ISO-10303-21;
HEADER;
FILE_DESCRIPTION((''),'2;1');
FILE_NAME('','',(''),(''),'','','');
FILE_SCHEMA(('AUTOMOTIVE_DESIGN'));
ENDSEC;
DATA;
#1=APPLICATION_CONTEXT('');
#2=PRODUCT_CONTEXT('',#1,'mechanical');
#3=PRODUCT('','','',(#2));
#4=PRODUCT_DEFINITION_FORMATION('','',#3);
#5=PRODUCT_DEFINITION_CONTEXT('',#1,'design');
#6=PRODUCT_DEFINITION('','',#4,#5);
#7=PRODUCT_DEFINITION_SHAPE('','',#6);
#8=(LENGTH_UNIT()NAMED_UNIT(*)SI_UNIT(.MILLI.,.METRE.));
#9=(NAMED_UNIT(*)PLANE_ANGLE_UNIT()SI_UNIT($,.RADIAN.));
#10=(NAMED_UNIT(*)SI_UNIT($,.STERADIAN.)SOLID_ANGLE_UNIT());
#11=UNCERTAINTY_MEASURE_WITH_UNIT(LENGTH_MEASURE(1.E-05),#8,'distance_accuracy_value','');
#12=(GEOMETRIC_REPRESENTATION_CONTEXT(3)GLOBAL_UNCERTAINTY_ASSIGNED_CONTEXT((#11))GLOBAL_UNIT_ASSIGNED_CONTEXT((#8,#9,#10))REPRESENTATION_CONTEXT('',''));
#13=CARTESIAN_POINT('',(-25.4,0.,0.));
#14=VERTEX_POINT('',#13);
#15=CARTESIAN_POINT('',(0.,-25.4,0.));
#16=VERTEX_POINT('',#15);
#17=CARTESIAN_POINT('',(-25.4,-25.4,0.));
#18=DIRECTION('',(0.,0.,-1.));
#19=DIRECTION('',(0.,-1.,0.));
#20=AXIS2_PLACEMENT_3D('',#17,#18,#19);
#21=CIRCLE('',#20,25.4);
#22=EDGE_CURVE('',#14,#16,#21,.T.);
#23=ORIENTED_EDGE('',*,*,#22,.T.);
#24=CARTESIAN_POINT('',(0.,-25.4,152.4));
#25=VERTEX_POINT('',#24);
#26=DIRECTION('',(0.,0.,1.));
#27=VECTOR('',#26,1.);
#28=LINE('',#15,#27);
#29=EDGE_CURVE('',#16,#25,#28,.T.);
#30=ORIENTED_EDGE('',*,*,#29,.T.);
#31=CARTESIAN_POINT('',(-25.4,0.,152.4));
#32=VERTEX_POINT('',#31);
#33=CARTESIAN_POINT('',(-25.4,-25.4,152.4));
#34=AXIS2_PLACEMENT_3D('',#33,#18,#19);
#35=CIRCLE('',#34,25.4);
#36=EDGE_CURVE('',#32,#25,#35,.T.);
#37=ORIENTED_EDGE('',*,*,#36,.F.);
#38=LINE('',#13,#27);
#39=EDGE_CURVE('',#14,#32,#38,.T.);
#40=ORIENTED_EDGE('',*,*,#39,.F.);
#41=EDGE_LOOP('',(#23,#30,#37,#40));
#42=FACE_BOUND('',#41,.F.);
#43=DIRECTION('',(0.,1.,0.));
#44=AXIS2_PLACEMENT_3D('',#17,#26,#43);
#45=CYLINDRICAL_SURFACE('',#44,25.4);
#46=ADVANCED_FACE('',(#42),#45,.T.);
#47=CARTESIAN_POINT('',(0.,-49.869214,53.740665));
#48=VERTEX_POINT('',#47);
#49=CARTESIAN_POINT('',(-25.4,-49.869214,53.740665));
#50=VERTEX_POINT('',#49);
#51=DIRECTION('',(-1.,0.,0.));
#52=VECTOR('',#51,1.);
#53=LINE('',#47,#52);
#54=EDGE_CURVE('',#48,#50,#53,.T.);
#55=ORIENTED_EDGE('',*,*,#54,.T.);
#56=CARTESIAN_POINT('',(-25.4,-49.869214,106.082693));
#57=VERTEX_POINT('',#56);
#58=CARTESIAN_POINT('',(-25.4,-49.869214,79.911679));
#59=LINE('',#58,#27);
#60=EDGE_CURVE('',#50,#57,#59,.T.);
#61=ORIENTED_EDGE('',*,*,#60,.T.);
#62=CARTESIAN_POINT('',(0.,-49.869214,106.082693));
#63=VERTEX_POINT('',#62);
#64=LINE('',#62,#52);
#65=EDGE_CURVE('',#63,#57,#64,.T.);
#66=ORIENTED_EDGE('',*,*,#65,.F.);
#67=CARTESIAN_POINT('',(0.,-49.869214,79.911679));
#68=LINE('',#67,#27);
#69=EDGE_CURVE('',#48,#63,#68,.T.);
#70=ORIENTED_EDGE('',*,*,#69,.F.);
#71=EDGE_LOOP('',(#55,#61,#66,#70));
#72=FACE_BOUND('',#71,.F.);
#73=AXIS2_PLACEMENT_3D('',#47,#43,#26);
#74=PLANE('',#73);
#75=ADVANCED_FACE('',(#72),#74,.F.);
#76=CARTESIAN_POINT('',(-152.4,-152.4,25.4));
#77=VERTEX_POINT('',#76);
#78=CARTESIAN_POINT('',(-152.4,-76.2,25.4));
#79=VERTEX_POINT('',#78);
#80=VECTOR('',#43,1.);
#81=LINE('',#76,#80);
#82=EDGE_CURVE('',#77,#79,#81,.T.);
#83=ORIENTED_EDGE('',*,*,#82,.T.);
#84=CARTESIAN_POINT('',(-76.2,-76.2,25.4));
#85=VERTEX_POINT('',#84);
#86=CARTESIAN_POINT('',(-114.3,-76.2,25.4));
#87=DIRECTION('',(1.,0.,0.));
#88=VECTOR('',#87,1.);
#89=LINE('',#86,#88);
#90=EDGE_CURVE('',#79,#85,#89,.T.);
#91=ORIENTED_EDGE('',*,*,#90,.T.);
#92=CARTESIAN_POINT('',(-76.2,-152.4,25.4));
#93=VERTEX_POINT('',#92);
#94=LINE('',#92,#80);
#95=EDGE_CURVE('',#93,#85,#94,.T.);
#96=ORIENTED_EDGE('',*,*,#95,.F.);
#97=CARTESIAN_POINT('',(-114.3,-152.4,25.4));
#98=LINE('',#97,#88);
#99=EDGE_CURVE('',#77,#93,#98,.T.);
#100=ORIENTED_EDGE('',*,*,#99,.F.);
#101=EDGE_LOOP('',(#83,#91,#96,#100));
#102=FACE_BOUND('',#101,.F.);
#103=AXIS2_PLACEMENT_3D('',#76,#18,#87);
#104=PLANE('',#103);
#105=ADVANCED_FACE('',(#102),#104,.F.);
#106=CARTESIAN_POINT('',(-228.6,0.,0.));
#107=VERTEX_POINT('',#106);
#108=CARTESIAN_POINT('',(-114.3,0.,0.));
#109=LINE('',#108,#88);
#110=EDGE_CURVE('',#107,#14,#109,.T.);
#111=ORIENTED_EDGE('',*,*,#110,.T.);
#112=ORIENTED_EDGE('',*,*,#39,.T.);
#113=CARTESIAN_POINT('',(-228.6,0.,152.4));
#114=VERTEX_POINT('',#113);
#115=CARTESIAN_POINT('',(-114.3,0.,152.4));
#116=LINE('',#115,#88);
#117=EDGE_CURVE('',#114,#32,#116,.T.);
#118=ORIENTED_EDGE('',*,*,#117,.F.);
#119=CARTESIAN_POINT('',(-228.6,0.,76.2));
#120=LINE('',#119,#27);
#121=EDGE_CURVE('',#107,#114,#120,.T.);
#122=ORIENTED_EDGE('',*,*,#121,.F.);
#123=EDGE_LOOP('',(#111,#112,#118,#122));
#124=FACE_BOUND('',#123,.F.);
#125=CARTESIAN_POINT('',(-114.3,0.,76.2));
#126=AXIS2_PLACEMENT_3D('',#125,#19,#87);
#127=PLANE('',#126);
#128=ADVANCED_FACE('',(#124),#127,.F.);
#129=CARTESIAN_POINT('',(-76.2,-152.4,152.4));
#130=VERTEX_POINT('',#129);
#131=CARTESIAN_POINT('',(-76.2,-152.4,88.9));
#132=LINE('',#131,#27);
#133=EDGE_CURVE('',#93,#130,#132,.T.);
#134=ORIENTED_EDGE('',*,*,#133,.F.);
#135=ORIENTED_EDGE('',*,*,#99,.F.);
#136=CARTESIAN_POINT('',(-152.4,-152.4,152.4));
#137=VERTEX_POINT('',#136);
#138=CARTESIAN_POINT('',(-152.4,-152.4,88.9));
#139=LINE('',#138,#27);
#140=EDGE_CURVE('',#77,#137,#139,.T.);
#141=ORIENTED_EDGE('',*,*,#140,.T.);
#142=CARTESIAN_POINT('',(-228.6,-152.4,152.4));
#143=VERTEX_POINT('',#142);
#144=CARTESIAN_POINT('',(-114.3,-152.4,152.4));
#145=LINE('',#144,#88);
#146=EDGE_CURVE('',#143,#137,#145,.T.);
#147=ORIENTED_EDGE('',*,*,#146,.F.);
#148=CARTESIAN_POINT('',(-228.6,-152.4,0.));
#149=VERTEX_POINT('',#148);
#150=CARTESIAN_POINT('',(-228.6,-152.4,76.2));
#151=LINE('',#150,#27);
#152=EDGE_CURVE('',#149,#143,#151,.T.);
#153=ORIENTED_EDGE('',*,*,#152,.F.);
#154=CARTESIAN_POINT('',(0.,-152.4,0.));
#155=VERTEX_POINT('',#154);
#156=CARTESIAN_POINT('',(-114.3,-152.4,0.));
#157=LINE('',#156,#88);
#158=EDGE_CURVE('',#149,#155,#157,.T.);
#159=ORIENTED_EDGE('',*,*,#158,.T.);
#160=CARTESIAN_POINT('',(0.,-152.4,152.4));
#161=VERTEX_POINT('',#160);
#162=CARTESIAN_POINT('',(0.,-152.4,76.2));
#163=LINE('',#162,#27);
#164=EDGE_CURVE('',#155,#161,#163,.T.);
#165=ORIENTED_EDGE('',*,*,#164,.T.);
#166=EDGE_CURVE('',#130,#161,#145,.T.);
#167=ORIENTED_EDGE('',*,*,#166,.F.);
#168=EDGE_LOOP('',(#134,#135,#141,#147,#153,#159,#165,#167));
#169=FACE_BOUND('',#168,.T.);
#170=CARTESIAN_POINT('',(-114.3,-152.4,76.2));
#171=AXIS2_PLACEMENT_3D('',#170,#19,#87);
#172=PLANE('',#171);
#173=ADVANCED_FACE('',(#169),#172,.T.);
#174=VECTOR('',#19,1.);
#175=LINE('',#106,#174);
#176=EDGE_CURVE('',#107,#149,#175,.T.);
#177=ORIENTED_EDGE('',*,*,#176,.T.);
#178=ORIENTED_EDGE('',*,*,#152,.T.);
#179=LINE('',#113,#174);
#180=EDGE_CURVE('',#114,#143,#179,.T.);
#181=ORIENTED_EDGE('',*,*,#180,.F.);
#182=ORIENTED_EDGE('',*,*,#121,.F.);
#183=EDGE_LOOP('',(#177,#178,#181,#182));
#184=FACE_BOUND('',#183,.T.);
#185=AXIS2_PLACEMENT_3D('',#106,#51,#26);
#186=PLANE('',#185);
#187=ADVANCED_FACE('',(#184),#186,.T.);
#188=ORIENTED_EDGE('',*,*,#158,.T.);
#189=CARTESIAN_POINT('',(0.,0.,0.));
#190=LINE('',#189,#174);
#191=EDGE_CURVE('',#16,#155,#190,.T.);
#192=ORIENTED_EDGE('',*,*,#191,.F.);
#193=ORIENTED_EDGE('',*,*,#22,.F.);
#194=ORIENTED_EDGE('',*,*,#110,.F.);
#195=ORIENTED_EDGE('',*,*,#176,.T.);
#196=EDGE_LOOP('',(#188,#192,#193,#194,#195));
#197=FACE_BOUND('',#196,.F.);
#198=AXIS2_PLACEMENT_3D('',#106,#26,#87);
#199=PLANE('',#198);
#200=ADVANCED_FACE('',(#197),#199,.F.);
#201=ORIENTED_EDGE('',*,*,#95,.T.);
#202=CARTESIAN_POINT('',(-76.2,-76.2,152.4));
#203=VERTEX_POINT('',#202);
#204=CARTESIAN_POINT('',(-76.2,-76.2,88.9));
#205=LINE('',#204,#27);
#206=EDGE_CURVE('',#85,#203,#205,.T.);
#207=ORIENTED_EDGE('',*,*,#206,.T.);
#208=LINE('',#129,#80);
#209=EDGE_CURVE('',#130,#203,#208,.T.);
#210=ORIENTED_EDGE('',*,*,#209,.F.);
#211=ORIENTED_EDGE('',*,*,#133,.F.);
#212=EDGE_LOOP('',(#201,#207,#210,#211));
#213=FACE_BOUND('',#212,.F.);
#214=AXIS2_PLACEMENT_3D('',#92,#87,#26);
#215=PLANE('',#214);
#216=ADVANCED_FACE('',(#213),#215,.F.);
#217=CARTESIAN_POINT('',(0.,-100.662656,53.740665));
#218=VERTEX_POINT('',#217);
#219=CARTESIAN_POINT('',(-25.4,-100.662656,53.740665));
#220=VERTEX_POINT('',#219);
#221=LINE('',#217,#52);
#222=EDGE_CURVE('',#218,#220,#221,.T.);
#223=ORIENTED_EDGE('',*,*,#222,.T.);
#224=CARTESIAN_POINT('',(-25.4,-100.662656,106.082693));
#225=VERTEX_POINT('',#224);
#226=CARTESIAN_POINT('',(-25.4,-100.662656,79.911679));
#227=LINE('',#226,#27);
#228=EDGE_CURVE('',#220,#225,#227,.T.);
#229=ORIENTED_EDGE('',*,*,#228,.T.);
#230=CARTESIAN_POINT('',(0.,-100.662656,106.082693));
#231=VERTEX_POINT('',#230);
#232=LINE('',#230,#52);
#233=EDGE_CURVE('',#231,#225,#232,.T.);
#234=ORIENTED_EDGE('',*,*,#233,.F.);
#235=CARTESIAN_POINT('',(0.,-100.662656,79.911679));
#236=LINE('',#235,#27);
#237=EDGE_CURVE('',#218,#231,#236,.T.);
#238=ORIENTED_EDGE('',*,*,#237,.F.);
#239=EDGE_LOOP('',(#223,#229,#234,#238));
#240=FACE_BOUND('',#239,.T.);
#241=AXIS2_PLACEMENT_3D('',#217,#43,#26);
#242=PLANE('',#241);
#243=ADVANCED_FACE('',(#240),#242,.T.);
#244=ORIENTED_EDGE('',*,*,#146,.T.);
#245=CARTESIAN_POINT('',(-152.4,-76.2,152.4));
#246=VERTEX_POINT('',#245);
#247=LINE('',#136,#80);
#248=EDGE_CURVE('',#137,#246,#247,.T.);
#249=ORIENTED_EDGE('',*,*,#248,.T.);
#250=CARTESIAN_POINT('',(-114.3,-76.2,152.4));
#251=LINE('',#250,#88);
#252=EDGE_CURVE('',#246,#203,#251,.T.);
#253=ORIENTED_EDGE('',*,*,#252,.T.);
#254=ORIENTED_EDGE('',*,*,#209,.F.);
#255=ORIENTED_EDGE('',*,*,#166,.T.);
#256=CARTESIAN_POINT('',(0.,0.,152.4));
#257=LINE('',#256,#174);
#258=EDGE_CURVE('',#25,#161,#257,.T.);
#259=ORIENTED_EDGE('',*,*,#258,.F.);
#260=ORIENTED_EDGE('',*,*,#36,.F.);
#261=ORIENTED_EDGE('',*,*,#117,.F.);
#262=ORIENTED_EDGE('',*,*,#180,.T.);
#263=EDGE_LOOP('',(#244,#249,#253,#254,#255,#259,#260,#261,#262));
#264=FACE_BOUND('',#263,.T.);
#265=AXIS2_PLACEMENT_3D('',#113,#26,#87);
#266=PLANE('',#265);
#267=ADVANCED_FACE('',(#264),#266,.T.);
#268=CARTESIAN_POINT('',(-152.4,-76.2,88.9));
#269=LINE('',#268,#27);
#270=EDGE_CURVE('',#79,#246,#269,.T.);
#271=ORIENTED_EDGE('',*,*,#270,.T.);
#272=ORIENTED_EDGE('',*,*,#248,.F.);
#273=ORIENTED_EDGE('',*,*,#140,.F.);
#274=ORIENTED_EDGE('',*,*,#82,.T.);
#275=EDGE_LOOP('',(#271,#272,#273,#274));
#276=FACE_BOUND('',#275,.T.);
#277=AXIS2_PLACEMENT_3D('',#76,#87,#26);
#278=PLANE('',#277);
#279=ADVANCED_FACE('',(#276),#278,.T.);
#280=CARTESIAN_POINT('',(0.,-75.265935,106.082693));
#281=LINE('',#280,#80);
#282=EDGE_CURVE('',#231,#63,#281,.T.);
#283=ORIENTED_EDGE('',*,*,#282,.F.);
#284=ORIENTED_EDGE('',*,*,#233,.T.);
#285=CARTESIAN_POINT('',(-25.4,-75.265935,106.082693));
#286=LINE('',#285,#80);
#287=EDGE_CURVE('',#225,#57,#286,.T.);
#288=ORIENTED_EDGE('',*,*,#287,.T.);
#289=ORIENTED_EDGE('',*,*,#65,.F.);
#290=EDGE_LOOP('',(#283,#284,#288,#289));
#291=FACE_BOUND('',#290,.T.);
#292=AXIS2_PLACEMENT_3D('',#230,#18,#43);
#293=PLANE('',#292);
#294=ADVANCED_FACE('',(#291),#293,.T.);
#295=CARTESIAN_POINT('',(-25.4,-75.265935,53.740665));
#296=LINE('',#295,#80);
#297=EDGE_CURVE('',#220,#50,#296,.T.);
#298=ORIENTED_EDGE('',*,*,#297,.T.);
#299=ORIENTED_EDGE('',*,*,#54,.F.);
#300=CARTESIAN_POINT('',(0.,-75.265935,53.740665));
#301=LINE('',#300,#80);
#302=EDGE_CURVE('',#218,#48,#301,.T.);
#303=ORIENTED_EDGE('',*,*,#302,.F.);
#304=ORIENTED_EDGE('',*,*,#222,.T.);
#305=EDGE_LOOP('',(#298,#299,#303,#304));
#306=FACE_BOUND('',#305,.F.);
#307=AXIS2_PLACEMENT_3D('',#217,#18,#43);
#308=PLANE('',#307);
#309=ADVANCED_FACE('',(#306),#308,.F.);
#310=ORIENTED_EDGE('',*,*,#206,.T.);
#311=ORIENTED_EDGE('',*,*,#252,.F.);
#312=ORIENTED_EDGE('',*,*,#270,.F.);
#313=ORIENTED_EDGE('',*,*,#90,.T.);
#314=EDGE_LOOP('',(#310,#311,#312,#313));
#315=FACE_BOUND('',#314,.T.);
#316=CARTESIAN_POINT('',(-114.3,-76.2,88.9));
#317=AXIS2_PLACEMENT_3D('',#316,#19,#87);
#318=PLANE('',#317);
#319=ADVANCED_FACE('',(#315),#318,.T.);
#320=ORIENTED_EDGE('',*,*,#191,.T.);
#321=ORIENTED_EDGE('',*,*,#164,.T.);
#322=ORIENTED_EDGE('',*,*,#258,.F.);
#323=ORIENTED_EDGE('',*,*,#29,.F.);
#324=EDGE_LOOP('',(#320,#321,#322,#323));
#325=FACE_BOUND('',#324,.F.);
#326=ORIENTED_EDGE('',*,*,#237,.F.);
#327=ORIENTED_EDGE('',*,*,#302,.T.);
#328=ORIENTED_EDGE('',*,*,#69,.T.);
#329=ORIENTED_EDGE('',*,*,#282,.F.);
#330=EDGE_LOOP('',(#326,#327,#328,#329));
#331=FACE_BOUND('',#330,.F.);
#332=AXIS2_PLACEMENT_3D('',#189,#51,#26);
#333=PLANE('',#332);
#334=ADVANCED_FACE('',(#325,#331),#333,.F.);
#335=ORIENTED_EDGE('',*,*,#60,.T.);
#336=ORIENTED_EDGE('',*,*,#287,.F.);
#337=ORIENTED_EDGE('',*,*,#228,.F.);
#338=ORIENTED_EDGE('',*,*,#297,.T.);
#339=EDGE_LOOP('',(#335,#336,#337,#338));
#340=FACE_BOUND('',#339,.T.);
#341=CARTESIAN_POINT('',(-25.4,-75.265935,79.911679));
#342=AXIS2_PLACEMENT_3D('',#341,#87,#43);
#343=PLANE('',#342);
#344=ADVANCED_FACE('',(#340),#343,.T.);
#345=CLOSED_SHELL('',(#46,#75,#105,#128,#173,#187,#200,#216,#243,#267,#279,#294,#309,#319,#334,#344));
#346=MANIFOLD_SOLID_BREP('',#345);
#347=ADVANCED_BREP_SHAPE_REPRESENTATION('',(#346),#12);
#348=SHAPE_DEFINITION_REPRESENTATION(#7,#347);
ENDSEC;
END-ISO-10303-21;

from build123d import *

# Parameters (mm, degrees)
F0_W     = 228.6
F0_H     = 152.4
F1_DEPTH = 152.4
F2_W     = 76.2
F2_H     = 127
F3_DEPTH = 76.2
F4_W     = 50.793443
F4_H     = 52.342028
F5_DEPTH = 25.4
F6_R     = 25.4


with BuildPart() as f1:
    # F0 (on Front) → F1 (new body)
    with BuildSketch(Plane.XZ):
        with Locations((-114.3, 76.2)):
            Rectangle(F0_W, F0_H)
    extrude(amount=F1_DEPTH)

    # F2 (on face) → F3 (cut)
    with BuildSketch(Plane.XZ.offset(152.4)):
        with Locations((-114.3, 88.9)):
            Rectangle(F2_W, F2_H)
    extrude(amount=-F3_DEPTH, mode=Mode.SUBTRACT)

    # F4 (on face) → F5 (cut)
    with BuildSketch(Plane.YZ):
        with Locations((-75.265935, 79.911679)):
            Rectangle(F4_W, F4_H)
    extrude(amount=-F5_DEPTH, mode=Mode.SUBTRACT)

    # F6
    f6_edges = [f1.edges().sort_by_distance(p)[0] for p in [
        (0, 0, 76.2),
    ]]
    fillet(f6_edges, radius=F6_R)


solid = f1.part
